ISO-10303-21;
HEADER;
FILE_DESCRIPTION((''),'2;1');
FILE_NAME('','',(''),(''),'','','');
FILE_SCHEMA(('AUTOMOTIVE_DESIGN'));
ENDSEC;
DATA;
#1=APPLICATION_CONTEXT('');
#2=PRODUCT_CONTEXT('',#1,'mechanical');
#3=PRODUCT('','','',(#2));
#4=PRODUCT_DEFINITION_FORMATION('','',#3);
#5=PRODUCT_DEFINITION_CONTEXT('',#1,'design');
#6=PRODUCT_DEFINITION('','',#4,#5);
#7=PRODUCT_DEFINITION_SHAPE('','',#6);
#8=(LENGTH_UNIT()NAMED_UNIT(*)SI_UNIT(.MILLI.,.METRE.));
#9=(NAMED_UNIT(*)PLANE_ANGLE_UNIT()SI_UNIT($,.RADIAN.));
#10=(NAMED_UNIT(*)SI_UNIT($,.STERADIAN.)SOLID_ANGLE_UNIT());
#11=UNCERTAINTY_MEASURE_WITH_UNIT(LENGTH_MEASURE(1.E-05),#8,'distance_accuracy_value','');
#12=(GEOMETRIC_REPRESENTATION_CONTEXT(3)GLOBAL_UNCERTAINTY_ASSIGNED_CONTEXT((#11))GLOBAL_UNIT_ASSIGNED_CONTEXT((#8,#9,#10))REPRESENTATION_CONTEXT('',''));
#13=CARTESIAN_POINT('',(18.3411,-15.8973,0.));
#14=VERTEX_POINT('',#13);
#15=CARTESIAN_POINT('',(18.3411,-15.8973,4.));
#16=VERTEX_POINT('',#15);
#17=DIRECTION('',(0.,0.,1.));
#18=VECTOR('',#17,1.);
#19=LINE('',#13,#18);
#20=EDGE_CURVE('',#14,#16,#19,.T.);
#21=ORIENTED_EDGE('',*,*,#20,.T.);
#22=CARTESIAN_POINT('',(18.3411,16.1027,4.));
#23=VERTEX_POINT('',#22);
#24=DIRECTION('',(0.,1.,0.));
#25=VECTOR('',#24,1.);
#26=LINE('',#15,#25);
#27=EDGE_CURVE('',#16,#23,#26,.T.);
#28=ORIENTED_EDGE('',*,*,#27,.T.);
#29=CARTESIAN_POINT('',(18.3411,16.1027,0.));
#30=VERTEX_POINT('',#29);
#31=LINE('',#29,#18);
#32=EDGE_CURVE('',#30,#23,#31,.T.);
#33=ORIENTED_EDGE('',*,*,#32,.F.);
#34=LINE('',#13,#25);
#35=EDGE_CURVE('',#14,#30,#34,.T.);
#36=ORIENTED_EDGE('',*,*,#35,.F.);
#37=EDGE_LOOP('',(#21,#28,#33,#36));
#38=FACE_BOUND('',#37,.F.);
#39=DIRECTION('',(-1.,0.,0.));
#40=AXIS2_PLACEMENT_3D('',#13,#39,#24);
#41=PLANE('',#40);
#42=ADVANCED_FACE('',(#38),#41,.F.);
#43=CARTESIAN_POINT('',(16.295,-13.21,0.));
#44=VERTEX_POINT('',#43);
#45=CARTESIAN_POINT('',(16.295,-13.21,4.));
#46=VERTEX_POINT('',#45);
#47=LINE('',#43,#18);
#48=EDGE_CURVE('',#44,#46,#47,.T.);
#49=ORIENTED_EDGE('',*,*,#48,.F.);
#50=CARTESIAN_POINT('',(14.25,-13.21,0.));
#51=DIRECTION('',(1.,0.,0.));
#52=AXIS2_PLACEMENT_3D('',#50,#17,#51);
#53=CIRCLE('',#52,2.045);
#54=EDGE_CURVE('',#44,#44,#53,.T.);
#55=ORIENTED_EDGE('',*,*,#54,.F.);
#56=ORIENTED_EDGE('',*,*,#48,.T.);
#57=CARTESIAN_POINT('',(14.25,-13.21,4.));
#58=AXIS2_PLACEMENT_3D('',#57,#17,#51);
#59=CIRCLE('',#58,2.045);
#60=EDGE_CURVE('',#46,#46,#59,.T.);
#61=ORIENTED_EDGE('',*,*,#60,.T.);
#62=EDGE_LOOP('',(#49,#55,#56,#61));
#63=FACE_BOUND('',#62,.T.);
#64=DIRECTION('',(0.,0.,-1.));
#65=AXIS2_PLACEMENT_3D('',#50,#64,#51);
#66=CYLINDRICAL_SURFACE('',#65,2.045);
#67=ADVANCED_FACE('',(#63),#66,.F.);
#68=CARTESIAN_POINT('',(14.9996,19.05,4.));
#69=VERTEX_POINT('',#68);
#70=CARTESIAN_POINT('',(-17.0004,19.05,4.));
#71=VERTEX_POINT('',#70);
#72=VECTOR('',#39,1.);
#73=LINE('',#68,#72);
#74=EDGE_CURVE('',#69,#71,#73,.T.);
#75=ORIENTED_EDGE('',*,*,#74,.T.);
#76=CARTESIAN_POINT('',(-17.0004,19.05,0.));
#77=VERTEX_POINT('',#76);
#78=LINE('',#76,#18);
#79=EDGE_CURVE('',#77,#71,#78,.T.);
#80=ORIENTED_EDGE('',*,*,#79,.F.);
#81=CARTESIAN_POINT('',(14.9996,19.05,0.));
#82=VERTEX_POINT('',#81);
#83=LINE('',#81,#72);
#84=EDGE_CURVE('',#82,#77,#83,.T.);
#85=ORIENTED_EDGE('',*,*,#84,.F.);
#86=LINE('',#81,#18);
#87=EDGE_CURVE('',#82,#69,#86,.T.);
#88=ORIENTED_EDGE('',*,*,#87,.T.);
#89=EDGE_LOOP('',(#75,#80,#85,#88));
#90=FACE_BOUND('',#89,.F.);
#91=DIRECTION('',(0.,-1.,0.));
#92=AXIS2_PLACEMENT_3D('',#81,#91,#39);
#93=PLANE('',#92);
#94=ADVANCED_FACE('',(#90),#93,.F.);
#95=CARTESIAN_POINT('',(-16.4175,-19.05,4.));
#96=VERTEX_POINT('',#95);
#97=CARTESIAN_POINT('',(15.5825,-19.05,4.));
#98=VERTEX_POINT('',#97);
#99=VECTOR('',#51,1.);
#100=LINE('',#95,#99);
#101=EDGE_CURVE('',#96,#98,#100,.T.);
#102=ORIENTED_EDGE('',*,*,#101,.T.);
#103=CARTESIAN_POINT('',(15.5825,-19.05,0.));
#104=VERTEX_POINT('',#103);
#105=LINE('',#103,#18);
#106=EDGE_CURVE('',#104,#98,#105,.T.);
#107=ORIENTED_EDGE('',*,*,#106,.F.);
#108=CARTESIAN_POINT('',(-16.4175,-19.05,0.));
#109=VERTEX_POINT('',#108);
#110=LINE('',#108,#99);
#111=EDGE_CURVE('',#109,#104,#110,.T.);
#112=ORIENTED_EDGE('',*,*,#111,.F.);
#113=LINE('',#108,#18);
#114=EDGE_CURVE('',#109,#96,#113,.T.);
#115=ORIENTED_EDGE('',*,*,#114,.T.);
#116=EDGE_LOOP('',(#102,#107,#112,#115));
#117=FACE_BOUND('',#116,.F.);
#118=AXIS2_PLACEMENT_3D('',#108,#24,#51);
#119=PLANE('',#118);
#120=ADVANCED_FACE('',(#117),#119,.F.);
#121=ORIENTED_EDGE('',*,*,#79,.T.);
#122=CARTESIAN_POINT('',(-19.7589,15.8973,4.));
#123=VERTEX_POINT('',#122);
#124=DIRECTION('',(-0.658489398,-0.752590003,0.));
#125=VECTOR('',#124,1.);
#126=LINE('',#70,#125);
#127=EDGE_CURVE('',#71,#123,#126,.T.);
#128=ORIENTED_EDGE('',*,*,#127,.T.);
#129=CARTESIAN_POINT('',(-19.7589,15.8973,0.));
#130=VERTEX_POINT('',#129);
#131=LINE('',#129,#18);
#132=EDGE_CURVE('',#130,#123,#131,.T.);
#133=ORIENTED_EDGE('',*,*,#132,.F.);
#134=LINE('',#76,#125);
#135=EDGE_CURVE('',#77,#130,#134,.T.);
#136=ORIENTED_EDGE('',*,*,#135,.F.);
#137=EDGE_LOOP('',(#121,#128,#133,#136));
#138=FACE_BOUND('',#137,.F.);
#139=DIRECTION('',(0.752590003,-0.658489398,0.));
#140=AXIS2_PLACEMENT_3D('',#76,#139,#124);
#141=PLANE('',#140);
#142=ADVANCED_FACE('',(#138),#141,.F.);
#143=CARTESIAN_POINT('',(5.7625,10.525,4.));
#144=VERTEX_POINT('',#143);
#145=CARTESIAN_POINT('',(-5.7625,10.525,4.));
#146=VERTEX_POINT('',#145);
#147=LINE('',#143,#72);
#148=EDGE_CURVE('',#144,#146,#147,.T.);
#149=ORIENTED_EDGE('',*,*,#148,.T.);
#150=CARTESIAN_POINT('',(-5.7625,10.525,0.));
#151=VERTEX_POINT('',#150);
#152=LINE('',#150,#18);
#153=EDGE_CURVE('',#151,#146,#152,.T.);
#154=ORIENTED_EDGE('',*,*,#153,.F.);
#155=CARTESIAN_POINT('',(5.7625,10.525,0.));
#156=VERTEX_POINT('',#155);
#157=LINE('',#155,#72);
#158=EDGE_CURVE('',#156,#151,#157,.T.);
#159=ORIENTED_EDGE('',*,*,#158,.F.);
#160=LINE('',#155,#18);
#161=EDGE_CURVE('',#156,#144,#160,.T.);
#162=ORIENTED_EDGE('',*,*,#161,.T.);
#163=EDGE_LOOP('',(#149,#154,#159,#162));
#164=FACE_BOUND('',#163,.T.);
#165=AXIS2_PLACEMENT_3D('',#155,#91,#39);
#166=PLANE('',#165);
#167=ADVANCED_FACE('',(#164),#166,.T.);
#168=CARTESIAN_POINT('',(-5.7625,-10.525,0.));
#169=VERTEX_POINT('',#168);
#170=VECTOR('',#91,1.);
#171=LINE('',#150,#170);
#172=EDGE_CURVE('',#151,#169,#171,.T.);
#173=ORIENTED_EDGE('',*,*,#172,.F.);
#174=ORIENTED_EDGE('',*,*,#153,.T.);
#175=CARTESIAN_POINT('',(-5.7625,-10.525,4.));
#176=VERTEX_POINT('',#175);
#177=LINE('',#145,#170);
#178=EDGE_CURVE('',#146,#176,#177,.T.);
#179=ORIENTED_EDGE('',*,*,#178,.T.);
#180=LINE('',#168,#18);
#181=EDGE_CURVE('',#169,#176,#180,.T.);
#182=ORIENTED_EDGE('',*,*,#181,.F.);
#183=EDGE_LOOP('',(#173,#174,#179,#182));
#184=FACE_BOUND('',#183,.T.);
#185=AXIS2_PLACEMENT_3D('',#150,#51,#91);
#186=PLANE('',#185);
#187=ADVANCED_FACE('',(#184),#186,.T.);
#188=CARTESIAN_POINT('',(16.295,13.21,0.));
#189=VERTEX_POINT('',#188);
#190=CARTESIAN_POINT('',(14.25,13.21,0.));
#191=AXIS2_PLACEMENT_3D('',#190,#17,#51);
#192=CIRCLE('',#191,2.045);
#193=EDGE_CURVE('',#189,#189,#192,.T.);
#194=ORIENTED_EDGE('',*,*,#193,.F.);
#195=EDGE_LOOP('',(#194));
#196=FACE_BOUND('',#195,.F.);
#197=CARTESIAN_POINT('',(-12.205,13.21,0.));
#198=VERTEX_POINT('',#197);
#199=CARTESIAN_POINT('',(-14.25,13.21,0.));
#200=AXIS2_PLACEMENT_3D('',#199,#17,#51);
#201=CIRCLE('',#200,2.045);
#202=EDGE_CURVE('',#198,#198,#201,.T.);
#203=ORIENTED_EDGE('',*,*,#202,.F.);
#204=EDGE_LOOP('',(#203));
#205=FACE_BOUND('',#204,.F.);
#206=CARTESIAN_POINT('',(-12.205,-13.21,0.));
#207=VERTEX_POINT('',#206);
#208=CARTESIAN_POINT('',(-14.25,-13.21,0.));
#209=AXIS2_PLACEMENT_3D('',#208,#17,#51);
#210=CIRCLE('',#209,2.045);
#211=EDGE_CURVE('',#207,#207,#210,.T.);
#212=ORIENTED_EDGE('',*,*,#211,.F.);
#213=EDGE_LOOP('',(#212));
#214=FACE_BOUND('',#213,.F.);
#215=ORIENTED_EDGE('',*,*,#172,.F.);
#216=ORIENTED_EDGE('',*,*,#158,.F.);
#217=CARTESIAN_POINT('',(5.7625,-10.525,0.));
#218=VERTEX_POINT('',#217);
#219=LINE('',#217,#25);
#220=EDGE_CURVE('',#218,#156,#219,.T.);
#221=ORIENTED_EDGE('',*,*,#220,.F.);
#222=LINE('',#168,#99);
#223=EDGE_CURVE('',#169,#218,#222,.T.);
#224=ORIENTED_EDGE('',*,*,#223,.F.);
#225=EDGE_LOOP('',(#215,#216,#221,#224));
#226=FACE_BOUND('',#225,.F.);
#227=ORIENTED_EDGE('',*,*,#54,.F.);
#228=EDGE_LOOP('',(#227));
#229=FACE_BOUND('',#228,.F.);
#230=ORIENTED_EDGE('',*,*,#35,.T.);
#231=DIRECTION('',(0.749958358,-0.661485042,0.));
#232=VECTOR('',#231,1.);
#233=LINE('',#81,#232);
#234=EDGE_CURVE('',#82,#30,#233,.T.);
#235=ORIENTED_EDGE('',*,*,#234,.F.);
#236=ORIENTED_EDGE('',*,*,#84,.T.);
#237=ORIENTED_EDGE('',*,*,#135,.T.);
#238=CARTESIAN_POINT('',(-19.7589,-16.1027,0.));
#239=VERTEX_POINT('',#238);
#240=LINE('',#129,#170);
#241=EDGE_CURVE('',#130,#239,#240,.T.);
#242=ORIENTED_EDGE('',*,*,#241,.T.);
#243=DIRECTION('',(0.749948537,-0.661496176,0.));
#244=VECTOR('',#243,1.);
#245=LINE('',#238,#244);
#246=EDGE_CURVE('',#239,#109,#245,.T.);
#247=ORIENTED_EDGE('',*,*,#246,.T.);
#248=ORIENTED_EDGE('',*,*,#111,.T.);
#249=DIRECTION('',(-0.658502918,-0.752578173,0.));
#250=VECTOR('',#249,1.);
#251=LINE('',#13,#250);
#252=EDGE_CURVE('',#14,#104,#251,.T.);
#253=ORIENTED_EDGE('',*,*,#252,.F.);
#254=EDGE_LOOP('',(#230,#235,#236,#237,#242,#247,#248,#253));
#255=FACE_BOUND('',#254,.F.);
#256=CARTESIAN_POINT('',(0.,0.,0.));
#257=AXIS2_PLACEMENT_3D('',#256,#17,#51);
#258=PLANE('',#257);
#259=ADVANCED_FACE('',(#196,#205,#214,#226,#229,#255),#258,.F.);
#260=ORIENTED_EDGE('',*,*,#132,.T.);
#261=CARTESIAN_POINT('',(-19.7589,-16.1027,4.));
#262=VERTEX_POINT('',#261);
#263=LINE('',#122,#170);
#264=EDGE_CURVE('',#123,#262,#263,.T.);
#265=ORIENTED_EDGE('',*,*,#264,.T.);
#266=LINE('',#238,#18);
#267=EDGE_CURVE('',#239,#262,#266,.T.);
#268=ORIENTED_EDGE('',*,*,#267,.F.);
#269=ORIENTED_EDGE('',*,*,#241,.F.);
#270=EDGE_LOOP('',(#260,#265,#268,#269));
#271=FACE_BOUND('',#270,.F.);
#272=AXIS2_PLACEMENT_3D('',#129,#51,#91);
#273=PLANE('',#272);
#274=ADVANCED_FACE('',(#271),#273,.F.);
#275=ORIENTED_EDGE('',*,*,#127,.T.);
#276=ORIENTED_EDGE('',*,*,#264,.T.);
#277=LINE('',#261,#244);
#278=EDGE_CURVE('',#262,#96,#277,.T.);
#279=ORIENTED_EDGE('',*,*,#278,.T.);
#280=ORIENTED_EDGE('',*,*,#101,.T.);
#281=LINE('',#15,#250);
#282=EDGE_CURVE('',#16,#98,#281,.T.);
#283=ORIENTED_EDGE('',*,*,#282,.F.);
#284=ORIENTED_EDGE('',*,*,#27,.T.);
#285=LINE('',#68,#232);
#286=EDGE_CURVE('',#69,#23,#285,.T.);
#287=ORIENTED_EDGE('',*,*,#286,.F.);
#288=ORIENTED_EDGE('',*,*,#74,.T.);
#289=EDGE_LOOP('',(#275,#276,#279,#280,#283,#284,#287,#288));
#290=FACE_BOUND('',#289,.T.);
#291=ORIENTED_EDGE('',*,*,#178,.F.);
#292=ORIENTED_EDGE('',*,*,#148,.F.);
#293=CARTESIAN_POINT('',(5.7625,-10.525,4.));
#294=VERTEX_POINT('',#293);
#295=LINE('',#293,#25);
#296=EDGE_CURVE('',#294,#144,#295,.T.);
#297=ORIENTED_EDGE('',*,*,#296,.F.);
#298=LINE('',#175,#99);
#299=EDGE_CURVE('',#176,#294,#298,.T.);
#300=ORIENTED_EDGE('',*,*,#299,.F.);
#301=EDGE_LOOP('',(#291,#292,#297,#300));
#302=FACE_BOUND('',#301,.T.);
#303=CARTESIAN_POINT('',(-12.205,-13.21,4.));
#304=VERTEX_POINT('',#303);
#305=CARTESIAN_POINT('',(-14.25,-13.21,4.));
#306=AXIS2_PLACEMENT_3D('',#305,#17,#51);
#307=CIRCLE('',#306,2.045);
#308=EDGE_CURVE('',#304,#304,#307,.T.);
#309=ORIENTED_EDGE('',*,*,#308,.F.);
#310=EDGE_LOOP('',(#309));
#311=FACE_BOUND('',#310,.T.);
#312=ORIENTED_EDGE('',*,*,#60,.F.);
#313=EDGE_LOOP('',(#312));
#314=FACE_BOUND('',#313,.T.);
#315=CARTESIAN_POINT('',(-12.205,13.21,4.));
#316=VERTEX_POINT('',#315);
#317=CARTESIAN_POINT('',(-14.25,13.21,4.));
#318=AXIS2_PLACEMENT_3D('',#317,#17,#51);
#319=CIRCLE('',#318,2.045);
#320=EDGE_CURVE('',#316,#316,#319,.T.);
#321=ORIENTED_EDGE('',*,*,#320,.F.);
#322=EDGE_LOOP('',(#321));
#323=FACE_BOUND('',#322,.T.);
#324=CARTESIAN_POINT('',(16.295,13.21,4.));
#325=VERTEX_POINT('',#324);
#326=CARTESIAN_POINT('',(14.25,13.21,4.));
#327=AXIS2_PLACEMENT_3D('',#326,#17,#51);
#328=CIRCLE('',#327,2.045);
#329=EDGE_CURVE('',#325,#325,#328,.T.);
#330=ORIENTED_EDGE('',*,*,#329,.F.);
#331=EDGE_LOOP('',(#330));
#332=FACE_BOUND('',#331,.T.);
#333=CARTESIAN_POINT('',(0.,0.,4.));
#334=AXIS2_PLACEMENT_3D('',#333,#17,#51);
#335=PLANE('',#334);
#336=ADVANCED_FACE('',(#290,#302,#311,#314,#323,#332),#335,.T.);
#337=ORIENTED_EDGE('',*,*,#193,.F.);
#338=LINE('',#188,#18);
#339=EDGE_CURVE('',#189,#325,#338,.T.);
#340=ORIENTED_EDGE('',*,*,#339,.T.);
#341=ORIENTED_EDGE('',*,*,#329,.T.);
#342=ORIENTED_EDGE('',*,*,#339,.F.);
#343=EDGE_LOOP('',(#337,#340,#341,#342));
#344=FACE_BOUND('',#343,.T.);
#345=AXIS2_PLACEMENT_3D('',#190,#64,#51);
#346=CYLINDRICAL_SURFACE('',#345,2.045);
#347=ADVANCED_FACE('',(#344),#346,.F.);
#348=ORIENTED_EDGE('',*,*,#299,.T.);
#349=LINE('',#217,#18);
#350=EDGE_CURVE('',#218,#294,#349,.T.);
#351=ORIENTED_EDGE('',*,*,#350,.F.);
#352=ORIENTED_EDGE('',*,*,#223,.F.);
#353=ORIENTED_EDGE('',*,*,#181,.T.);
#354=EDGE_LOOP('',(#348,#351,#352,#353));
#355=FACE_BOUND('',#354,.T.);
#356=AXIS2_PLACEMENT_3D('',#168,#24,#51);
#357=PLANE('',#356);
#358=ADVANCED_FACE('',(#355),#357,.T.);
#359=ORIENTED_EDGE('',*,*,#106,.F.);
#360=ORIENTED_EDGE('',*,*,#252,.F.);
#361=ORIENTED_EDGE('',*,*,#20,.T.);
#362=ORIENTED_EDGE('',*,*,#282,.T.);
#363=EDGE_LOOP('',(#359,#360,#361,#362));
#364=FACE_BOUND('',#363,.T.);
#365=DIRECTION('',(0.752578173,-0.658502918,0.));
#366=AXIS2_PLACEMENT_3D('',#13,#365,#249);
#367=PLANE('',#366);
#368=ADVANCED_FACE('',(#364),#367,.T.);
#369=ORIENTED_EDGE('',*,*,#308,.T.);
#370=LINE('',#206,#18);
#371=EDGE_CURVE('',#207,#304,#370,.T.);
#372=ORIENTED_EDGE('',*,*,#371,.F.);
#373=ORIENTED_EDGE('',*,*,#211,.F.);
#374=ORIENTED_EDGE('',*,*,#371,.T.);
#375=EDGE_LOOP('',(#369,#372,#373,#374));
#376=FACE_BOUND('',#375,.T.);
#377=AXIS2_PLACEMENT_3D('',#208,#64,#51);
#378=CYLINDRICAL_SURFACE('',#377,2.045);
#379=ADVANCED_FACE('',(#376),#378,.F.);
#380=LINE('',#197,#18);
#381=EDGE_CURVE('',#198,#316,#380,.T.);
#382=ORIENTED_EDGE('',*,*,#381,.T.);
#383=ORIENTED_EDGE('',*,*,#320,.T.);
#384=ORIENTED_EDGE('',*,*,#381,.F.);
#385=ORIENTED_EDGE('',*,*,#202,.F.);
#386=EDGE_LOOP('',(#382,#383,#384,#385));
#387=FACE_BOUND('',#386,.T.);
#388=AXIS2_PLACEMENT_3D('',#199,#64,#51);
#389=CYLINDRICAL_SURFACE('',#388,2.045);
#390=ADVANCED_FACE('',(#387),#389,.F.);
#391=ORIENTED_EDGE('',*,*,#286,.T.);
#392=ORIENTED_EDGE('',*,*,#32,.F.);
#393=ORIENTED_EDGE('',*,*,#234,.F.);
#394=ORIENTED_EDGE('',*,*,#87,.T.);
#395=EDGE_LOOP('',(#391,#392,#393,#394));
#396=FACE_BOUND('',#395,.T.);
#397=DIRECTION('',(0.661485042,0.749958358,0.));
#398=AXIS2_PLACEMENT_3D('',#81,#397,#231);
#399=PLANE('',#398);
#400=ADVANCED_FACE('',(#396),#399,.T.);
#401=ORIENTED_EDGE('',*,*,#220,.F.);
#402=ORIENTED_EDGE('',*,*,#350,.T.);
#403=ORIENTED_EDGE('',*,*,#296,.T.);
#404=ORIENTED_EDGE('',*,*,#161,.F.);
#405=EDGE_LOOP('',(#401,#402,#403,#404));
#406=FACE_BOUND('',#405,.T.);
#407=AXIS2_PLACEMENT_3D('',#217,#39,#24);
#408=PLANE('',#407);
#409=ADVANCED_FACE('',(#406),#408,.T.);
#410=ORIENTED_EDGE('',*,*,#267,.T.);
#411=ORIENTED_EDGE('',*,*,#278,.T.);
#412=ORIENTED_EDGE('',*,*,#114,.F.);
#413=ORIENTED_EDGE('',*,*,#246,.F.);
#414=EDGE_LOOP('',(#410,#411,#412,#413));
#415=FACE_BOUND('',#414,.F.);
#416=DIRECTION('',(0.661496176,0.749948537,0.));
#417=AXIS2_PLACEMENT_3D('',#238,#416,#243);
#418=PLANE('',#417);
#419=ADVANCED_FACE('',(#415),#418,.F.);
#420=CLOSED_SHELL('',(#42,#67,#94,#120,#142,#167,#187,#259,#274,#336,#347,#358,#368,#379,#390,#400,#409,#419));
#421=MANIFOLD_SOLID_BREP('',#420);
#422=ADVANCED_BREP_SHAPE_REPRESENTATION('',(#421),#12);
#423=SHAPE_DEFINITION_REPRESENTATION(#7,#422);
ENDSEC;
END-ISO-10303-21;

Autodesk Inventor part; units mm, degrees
ref_plane "YZ Plane" through (0, 0, 0) normal (1, 0, 0) x (0, 1, 0)
ref_plane "XZ Plane" through (0, 0, 0) normal (0, 1, 0) x (-1, 0, 0)
ref_plane "XY Plane" through (0, 0, 0) normal (0, 0, 1) x (1, 0, 0)
sketch "Sketch3" plane through (0, 0, 0) normal (0, 0, 1) x (1, 0, 0)
  line L0 (-16.4175, -19.05) -> (15.5825, -19.05)
  line L1 (18.3411, -15.8973) -> (18.3411, 16.1027)
  line L2 (14.9996, 19.05) -> (-17.0004, 19.05)
  line L3 (-19.7589, 15.8973) -> (-19.7589, -16.1027)
  line L4 (-17.0004, 19.05) -> (-19.7589, 15.8973)
  line L5 (14.9996, 19.05) -> (18.3411, 16.1027)
  line L6 (18.3411, -15.8973) -> (15.5825, -19.05)
  line L7 (-19.7589, -16.1027) -> (-16.4175, -19.05)
  line L8 (-5.7625, -10.525) -> (5.7625, -10.525)
  line L9 (5.7625, -10.525) -> (5.7625, 10.525)
  line L10 (5.7625, 10.525) -> (-5.7625, 10.525)
  line L11 (-5.7625, 10.525) -> (-5.7625, -10.525)
  circle A0 centre (-14.25, 13.21) radius 2.045
  circle A1 centre (14.25, 13.21) radius 2.045
  circle A2 centre (-14.25, -13.21) radius 2.045
  circle A3 centre (14.25, -13.21) radius 2.045
  point P0 (0, 0)
  dimension "d10" = 11.525
  dimension "d11" = 21.05
  dimension "d12" = 4.09
  dimension "d13" = 4.09
  dimension "d17" = 4.09
  dimension "d19" = 28.5
  dimension "d21" = 4.09
  dimension "d38" = 10.525
  dimension "d39" = 5.7625
  dimension "d45" = 38.1
  dimension "d46" = 38.1
  dimension "d47" = 32
  dimension "d48" = 32
  dimension "d49" = 32
  dimension "d50" = 32
  dimension "d63" = 28.5
  dimension "d67" = 19.05
  dimension "d68" = 14.25
  dimension "d69" = 14.25
  dimension "d70" = 26.42
  dimension "d72" = 13.21
  dimension "d73" = 26.42
  dimension "d75" = 13.21
extrude "Extrusion5" add sketch "Sketch3" along normal blind 4
properties part number "WG17FLANGE"
